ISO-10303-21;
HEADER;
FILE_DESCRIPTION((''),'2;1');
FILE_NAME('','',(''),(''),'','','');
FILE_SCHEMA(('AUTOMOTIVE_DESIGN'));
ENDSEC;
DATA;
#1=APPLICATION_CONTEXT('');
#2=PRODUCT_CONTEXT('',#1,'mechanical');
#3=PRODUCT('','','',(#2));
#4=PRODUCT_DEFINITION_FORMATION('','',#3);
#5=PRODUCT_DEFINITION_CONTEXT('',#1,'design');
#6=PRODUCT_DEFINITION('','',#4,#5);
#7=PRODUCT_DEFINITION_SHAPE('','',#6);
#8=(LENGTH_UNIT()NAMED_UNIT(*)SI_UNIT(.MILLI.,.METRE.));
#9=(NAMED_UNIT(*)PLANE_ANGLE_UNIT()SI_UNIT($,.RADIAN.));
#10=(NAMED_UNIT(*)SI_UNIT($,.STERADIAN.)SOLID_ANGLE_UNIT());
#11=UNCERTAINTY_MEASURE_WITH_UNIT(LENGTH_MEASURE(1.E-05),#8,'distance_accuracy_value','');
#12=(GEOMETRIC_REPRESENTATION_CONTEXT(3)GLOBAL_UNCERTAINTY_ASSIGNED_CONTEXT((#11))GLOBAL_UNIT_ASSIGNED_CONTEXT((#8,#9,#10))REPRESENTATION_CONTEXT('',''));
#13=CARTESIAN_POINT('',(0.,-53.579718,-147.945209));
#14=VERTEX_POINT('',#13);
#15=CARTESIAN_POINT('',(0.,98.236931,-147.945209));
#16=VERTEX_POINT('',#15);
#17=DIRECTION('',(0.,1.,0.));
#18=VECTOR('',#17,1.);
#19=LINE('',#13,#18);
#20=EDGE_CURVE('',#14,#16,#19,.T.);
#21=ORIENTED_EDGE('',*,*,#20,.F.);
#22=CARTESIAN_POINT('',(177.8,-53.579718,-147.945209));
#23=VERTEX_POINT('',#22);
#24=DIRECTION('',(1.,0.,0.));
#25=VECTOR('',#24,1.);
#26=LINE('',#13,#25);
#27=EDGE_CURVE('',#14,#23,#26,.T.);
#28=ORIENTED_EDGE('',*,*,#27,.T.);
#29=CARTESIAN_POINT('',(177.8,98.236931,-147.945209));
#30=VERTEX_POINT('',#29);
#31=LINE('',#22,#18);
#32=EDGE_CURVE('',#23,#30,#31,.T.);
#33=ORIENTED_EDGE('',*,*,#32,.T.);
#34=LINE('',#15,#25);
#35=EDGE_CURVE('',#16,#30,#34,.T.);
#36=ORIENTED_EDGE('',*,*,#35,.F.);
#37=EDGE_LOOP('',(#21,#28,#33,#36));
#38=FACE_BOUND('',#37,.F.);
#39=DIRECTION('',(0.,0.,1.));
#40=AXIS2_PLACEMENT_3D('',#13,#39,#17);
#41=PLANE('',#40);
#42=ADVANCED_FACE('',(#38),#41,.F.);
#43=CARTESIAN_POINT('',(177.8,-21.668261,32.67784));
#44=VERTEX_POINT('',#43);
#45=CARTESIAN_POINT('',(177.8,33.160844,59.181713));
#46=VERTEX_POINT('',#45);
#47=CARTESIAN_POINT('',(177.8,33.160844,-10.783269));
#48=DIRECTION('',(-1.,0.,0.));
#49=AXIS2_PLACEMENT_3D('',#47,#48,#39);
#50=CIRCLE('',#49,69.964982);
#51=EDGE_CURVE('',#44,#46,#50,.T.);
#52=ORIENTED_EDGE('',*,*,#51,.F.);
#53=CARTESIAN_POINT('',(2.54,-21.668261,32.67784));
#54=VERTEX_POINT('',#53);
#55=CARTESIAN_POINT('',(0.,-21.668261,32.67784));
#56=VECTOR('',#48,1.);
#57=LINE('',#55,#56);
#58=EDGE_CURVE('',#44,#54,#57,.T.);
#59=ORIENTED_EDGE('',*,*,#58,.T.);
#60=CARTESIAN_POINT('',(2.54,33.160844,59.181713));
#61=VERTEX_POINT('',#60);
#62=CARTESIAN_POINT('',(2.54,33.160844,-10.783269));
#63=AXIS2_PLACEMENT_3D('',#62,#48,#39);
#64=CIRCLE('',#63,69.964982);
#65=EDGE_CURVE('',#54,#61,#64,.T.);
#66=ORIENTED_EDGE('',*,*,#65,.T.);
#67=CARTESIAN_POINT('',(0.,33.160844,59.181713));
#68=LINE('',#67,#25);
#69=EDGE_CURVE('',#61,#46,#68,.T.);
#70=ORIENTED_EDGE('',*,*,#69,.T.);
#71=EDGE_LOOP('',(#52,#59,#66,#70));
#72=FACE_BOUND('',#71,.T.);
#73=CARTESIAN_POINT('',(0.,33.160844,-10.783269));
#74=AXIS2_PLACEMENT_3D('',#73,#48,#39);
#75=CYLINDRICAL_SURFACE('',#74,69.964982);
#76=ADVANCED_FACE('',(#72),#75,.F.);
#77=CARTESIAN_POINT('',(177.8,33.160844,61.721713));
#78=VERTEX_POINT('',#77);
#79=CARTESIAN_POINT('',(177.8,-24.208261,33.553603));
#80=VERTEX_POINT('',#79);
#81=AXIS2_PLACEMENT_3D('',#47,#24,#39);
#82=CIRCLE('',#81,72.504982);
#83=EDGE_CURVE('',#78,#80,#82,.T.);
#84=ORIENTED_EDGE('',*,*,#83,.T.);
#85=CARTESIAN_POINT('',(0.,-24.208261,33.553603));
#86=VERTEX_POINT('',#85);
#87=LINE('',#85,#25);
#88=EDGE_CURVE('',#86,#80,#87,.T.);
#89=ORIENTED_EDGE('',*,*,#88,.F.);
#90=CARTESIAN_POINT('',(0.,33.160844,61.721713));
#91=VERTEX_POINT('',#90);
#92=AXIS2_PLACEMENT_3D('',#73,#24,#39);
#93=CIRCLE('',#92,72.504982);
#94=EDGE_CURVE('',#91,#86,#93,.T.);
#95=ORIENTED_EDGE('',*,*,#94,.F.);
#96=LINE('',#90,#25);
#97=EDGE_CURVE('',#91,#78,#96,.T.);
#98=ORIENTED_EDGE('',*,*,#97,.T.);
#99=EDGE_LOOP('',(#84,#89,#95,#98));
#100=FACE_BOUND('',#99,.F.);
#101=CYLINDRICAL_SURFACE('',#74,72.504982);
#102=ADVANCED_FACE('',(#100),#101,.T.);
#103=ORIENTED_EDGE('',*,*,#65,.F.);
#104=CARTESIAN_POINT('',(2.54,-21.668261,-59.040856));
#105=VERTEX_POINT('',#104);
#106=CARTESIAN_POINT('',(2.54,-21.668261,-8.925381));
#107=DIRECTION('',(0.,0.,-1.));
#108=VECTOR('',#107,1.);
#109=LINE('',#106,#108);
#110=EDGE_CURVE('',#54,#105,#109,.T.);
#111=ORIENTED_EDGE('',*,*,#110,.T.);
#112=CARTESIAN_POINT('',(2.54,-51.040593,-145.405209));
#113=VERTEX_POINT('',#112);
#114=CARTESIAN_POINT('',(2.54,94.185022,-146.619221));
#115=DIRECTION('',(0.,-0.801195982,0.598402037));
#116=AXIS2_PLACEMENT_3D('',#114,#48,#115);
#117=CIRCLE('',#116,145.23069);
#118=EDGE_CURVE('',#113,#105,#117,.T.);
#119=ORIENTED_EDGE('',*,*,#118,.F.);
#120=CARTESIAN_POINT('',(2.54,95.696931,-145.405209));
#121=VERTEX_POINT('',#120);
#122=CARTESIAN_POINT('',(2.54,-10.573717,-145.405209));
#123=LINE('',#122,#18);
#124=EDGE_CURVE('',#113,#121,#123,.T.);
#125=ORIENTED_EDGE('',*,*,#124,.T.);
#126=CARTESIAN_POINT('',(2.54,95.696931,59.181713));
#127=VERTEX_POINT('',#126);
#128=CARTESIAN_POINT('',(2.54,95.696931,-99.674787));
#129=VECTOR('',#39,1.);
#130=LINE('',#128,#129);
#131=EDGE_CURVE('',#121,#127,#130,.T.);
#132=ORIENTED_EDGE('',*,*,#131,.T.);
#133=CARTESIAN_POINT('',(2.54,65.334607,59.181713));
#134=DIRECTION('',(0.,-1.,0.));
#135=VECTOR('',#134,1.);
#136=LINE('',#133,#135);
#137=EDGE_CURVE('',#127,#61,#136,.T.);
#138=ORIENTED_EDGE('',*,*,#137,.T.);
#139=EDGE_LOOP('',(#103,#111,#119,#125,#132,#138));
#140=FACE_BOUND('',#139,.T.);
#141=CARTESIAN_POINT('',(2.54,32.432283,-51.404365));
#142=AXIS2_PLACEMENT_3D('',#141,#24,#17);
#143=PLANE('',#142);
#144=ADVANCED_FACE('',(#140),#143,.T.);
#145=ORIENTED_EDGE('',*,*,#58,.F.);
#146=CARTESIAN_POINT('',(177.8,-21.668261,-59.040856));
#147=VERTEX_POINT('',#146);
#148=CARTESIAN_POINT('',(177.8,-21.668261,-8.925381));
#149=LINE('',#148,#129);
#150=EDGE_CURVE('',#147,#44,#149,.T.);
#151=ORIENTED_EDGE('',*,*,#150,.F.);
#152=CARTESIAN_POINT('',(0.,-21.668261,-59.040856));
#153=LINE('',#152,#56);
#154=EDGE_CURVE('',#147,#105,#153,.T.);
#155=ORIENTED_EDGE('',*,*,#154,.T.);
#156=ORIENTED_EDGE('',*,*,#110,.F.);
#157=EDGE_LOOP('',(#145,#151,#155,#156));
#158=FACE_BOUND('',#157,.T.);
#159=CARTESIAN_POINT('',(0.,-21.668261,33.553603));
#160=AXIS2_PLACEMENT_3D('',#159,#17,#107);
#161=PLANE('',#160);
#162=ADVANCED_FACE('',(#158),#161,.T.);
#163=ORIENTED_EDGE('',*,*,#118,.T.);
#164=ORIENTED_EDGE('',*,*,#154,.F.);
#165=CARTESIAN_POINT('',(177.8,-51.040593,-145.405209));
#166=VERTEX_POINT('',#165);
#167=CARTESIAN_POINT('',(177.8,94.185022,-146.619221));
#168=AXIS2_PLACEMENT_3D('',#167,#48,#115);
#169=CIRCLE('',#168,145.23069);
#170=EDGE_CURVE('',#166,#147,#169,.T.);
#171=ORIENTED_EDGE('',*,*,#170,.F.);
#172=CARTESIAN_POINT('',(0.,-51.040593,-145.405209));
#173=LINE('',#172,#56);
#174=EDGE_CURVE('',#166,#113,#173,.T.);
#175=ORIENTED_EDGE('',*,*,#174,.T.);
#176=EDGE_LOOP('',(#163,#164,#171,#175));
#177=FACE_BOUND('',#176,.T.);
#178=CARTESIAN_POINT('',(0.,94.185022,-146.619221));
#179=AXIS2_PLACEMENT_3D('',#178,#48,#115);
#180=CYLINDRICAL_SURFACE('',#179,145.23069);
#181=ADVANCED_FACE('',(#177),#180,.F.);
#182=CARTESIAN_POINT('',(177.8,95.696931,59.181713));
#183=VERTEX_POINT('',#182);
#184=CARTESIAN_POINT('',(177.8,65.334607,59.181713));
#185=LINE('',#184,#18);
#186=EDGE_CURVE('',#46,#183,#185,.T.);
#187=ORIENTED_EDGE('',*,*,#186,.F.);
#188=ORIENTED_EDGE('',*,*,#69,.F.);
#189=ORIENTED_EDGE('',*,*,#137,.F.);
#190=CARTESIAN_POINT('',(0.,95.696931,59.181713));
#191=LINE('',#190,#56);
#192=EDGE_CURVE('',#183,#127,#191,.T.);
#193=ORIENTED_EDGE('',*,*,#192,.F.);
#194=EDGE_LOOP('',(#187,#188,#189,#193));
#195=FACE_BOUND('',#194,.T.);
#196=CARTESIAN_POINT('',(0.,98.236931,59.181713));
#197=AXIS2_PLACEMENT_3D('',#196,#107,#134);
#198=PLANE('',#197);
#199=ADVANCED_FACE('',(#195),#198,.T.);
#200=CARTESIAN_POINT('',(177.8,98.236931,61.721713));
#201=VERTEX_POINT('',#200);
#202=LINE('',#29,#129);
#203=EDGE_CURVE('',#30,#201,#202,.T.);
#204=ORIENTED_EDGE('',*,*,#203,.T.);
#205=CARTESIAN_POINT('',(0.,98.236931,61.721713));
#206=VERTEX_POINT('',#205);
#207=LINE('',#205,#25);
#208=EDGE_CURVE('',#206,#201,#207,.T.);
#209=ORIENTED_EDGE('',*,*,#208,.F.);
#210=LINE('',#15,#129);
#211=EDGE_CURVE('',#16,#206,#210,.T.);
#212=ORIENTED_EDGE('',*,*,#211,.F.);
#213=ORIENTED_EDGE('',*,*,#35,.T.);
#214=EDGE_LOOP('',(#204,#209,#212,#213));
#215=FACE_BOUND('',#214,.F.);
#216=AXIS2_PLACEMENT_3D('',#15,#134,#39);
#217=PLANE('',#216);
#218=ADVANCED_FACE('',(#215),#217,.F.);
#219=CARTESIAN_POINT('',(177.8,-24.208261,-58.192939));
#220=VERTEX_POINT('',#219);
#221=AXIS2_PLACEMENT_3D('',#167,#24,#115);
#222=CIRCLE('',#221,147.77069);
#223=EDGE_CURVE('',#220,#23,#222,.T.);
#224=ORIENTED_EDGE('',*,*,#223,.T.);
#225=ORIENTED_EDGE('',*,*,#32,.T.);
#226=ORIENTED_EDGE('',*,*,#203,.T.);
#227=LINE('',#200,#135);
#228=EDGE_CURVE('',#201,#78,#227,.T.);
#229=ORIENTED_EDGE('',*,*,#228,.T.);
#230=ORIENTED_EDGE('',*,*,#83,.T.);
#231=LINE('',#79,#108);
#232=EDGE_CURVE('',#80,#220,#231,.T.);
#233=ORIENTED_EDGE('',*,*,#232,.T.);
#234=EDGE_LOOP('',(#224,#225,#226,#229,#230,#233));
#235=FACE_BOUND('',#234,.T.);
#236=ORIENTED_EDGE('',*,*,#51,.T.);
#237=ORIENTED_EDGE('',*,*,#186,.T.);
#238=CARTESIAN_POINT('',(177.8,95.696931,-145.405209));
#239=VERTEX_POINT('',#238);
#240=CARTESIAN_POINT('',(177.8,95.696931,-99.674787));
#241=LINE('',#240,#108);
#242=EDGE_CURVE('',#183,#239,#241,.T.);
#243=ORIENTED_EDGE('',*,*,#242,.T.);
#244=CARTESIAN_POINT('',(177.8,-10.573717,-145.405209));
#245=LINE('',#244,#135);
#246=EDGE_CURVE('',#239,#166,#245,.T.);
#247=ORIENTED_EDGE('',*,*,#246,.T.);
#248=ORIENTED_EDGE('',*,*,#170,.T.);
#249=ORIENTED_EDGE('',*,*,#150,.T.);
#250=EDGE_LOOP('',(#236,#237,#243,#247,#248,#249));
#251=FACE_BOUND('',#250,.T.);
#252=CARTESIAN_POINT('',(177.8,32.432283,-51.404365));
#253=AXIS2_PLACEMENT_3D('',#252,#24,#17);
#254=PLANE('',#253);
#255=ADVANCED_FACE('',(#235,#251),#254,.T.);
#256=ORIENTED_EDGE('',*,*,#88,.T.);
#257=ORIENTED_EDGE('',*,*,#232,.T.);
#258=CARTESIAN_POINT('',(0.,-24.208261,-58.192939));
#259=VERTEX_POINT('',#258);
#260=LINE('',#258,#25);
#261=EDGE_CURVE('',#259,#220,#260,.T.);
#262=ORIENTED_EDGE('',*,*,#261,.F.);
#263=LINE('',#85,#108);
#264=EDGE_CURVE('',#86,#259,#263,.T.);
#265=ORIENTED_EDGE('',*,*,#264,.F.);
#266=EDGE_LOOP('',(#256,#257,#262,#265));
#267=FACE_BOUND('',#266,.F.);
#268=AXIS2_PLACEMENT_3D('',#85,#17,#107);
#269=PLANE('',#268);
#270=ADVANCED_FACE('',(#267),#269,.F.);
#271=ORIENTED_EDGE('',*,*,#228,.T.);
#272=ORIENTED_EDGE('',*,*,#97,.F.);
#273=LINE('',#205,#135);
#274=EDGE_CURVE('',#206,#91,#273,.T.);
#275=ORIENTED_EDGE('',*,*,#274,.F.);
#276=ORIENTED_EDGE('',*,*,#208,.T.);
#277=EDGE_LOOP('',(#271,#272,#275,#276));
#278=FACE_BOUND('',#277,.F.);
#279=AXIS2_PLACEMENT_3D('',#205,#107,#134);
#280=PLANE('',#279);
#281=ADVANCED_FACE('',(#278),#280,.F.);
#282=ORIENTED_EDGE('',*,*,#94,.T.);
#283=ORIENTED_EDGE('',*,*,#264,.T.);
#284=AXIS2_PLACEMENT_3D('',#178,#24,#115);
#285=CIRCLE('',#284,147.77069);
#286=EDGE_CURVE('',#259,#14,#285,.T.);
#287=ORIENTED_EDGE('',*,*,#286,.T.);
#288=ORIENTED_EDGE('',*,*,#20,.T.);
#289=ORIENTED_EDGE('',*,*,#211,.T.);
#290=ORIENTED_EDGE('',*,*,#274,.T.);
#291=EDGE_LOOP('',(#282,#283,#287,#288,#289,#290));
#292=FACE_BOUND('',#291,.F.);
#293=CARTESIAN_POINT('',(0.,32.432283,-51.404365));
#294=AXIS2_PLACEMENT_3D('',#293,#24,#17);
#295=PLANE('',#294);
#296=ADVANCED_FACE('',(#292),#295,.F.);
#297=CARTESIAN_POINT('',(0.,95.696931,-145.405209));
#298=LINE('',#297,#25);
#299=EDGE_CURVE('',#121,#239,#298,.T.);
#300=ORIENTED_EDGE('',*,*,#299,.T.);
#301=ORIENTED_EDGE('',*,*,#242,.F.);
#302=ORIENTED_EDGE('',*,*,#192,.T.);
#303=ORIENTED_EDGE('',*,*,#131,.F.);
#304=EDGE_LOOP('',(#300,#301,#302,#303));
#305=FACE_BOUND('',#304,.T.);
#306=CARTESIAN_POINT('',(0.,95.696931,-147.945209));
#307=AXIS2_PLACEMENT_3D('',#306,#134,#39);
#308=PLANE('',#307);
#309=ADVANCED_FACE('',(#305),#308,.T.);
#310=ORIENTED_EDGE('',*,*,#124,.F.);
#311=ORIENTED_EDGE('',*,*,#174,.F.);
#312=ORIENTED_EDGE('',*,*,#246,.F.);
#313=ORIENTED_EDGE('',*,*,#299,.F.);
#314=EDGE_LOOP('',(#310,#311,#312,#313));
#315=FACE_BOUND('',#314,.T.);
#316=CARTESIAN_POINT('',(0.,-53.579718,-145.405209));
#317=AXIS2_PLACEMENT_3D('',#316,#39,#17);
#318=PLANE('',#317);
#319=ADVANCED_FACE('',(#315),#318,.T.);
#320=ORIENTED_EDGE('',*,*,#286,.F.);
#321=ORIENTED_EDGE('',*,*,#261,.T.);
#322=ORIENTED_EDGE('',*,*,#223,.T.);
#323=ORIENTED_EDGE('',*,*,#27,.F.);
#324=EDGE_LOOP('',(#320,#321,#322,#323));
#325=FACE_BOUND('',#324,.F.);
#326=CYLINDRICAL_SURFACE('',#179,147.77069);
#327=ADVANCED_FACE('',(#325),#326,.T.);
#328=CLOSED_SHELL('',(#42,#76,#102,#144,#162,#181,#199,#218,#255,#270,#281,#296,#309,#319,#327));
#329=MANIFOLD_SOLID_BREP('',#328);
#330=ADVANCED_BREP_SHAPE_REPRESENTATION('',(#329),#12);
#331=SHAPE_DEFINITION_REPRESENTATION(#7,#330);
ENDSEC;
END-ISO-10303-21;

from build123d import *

# Parameters (mm, degrees)
F1_DEPTH = 177.8
F2_T     = -2.54


with BuildPart() as f1:
    # F0 (on Right) → F1 (new body)
    with BuildSketch(Plane.YZ):
        with BuildLine():
            Line((98.2369305235, 61.7217131998), (33.1608443957, 61.7217131998))
            ThreePointArc((33.1608443957, 61.7217131998), (1.2051850028, 54.2998185022), (-24.2082608398, 33.5536029787))
            Line((-24.2082608398, 33.5536029787), (-24.2082608398, -58.1929394644))
            ThreePointArc((-24.2082608398, -58.1929394644), (-46.2567481924, -100.6596094953), (-53.5797183083, -147.9452094887))
            Line((-53.5797183083, -147.9452094887), (98.2369305235, -147.9452094887))
            Line((98.2369305235, -147.9452094887), (98.2369305235, 61.7217131998))
        make_face()
    extrude(amount=F1_DEPTH)

    # F2
    f2_openings = [f1.faces().sort_by_distance(p)[0] for p in [
        (177.8, 32.973505, -49.592327),
    ]]
    offset(amount=F2_T, openings=f2_openings, kind=Kind.INTERSECTION)


solid = f1.part
